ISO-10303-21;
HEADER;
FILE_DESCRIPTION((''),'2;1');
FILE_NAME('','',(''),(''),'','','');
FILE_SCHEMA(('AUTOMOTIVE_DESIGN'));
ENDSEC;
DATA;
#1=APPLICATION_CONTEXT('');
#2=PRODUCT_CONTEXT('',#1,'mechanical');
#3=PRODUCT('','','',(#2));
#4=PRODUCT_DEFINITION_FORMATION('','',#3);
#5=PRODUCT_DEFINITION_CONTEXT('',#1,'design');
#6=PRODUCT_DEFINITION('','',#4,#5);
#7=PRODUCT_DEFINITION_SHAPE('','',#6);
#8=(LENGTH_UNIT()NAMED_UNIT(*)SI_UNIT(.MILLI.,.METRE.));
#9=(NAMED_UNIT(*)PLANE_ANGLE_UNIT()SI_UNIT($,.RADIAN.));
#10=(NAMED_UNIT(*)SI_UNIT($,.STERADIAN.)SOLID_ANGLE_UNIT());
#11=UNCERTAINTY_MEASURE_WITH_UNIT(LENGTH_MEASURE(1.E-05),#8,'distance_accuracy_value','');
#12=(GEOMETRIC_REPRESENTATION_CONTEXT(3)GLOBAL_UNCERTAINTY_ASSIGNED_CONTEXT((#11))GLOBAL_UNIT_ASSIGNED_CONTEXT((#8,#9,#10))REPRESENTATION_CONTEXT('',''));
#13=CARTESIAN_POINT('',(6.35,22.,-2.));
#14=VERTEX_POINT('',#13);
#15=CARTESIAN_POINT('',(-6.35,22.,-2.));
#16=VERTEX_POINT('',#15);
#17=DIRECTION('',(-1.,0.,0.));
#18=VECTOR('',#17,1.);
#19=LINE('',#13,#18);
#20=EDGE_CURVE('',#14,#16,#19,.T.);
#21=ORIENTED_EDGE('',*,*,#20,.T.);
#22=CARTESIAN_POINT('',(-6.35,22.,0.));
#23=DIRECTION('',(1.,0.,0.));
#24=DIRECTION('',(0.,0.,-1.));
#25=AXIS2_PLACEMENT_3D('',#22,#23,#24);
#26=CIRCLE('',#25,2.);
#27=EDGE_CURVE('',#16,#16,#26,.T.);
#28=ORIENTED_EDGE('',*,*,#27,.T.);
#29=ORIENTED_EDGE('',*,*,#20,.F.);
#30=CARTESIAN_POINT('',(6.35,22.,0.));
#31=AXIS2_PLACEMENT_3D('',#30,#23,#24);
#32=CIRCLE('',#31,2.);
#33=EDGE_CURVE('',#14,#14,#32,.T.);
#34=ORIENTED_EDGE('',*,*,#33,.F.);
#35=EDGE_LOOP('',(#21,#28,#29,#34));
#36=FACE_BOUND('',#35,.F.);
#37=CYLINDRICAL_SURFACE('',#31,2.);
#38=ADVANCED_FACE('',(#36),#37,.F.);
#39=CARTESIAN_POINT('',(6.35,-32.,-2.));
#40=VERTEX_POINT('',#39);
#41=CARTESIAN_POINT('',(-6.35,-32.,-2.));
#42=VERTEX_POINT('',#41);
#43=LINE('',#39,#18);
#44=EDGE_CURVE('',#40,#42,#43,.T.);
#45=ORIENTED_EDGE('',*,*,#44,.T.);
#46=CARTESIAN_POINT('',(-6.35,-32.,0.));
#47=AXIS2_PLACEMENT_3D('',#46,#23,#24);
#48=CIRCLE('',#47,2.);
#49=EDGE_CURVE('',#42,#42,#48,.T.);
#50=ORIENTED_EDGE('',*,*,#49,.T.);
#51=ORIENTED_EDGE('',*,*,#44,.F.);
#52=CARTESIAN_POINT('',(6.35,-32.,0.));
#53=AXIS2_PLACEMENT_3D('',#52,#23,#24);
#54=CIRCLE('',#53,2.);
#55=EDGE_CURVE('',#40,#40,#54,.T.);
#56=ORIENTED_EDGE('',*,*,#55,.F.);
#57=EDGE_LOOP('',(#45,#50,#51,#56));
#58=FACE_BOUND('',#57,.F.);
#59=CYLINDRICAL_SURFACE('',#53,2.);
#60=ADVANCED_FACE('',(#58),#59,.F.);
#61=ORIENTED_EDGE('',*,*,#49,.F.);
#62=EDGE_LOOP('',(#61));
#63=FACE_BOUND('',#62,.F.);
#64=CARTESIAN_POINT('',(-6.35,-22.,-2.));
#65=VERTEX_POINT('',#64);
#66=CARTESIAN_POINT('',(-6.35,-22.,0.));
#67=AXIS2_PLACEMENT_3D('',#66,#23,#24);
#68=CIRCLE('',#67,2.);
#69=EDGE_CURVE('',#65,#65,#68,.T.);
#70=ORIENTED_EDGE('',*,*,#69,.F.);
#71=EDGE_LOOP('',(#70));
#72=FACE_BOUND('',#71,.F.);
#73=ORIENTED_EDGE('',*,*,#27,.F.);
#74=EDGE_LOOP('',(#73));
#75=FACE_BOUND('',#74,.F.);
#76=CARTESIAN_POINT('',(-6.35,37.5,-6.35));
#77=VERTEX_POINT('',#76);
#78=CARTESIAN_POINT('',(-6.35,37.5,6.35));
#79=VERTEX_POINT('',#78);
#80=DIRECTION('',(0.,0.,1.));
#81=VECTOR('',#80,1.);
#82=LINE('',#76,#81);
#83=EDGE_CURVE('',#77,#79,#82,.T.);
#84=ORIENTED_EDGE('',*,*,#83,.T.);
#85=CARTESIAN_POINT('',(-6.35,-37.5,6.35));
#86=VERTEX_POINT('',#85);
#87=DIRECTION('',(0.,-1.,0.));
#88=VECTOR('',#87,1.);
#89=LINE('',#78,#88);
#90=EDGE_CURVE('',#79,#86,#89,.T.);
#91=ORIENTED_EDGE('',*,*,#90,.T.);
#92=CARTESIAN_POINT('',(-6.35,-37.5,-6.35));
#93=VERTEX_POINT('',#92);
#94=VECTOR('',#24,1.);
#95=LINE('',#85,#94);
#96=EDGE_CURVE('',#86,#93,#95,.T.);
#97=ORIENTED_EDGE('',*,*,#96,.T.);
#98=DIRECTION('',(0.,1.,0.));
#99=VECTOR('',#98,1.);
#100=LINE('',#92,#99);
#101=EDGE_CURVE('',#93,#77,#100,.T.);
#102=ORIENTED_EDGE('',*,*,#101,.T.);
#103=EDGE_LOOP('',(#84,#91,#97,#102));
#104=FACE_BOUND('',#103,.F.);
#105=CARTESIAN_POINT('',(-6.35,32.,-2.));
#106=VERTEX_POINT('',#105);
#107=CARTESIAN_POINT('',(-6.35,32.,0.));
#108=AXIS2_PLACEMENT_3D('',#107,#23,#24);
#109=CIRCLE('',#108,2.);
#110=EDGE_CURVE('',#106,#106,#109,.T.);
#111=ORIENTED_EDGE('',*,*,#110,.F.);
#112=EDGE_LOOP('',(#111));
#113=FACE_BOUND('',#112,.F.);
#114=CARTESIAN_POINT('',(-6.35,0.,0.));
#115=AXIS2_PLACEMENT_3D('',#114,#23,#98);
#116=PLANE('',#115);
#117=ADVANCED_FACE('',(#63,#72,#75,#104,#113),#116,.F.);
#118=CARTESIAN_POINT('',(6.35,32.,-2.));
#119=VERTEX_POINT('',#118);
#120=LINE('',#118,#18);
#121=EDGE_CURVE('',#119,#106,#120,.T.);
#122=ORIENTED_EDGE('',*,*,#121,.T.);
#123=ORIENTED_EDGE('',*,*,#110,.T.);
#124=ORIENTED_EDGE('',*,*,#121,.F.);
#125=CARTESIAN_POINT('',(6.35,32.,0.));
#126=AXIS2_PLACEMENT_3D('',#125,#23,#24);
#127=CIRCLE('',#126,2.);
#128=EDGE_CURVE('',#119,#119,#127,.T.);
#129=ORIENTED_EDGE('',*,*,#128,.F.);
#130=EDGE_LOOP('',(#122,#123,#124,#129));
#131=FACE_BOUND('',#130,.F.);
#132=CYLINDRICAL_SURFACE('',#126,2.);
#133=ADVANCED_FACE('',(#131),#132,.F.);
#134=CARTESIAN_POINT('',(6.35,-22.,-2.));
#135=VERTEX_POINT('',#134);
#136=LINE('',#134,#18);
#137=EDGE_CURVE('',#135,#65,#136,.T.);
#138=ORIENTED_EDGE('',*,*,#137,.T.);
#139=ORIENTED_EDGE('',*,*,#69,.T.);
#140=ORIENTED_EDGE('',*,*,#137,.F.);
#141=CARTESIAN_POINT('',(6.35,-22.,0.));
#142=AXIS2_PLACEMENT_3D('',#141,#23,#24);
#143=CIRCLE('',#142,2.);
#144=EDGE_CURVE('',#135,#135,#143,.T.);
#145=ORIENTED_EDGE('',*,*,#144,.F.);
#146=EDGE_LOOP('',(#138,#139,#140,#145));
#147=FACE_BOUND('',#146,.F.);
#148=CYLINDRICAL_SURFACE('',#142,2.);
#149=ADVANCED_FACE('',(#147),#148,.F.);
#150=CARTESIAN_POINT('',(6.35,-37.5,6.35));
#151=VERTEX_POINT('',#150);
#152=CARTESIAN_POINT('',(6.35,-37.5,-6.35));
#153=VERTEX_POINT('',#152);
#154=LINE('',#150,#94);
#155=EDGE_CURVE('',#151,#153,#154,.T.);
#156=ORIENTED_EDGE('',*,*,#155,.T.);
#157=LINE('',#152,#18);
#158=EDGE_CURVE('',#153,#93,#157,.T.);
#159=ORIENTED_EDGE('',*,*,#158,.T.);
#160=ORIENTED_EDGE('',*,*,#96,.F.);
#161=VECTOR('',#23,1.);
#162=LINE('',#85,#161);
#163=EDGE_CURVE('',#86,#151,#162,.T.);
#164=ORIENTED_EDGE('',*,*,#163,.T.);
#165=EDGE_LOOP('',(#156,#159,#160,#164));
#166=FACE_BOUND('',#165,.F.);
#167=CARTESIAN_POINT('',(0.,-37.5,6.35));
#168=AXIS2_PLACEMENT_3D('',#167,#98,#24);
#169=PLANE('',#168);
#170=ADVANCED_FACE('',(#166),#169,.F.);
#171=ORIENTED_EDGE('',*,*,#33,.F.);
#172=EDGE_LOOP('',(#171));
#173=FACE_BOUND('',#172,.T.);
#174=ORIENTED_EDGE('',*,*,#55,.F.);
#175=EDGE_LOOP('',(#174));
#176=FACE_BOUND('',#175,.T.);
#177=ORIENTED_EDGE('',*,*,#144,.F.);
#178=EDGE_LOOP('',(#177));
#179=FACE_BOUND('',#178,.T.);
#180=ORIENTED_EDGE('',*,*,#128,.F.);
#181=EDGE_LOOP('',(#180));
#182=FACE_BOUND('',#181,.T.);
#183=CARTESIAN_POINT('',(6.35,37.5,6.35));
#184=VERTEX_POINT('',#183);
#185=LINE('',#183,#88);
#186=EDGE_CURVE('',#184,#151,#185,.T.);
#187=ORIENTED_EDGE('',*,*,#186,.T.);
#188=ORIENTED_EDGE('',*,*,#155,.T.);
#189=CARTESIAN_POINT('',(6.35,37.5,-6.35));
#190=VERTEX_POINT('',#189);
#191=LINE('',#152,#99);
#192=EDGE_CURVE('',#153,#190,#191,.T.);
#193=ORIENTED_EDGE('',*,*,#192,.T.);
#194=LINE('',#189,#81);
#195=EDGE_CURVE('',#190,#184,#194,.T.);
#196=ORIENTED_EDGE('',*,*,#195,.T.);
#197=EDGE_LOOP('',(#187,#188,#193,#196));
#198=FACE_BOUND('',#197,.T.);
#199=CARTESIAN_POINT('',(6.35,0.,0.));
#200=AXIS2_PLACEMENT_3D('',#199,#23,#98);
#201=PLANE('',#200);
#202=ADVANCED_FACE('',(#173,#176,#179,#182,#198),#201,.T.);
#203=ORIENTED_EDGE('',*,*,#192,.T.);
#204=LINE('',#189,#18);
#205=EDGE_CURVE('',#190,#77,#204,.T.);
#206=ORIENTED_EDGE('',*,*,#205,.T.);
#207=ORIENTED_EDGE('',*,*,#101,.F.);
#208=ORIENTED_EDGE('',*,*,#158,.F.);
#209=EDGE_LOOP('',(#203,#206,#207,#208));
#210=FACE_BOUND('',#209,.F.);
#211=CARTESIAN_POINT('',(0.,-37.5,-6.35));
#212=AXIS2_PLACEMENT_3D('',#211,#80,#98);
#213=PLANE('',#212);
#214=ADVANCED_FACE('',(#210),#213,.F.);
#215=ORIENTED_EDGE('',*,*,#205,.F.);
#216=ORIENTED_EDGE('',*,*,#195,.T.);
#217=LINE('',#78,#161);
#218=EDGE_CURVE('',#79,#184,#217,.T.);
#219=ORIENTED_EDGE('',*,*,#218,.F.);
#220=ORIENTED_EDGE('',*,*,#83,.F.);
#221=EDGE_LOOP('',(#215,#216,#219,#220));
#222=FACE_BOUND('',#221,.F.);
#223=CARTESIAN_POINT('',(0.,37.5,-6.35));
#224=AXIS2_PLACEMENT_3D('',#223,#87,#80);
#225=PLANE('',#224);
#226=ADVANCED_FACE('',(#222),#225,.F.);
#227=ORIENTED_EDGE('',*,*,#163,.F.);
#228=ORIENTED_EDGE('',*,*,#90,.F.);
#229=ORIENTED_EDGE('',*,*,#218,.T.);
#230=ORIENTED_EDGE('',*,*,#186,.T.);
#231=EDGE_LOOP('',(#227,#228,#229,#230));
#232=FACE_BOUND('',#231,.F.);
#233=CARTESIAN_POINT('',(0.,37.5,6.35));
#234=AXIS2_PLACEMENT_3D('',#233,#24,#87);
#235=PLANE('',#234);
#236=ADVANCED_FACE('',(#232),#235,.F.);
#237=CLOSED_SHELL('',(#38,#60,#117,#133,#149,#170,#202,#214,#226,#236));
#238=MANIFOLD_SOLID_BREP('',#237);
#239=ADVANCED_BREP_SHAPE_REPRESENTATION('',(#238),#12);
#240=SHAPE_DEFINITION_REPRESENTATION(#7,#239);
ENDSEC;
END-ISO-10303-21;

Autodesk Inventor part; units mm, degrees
ref_plane "YZ Plane" through (0, 0, 0) normal (1, 0, 0) x (0, 1, 0)
ref_plane "XZ Plane" through (0, 0, 0) normal (0, 1, 0) x (-1, 0, 0)
ref_plane "XY Plane" through (0, 0, 0) normal (0, 0, 1) x (1, 0, 0)
sketch "Sketch2" plane through (0, 0, 0) normal (1, 0, 0) x (0, 1, 0)
  line L0 (37.5, 6.35) -> (-37.5, 6.35)
  line L1 (-37.5, 6.35) -> (-37.5, -6.35)
  line L2 (-37.5, -6.35) -> (37.5, -6.35)
  line L3 (37.5, -6.35) -> (37.5, 6.35)
  point P0 (0, 0)
  point P1 (0, 6.35)
  point P2 (-37.5, 0)
  dimension "d0" = 75
  dimension "d1" = 12.7
extrude "Extrusion1" add sketch "Sketch2" along normal mid plane 12.7
sketch "Sketch3" plane through (6.35, 0, 0) normal (1, 0, 0) x (0, 0, -1)
  circle A0 centre (0, 32) radius 2
  circle A1 centre (0, 22) radius 2
  line L0 (-6.35, 37.5) -> (-6.35, -37.5) projected
  line L1 (-6.35, 0) -> (6.35, 0) construction
  line L2 (6.35, -37.5) -> (6.35, 37.5) projected
  circle A2 centre (0, -32) radius 2
  circle A3 centre (0, -22) radius 2
  point P0 (0, 0)
  dimension "d4" = 22
  dimension "d5" = 10
  dimension "d6" = 4
extrude "Extrusion2" cut sketch "Sketch3" against normal through all
properties part number "Load_Cell"
